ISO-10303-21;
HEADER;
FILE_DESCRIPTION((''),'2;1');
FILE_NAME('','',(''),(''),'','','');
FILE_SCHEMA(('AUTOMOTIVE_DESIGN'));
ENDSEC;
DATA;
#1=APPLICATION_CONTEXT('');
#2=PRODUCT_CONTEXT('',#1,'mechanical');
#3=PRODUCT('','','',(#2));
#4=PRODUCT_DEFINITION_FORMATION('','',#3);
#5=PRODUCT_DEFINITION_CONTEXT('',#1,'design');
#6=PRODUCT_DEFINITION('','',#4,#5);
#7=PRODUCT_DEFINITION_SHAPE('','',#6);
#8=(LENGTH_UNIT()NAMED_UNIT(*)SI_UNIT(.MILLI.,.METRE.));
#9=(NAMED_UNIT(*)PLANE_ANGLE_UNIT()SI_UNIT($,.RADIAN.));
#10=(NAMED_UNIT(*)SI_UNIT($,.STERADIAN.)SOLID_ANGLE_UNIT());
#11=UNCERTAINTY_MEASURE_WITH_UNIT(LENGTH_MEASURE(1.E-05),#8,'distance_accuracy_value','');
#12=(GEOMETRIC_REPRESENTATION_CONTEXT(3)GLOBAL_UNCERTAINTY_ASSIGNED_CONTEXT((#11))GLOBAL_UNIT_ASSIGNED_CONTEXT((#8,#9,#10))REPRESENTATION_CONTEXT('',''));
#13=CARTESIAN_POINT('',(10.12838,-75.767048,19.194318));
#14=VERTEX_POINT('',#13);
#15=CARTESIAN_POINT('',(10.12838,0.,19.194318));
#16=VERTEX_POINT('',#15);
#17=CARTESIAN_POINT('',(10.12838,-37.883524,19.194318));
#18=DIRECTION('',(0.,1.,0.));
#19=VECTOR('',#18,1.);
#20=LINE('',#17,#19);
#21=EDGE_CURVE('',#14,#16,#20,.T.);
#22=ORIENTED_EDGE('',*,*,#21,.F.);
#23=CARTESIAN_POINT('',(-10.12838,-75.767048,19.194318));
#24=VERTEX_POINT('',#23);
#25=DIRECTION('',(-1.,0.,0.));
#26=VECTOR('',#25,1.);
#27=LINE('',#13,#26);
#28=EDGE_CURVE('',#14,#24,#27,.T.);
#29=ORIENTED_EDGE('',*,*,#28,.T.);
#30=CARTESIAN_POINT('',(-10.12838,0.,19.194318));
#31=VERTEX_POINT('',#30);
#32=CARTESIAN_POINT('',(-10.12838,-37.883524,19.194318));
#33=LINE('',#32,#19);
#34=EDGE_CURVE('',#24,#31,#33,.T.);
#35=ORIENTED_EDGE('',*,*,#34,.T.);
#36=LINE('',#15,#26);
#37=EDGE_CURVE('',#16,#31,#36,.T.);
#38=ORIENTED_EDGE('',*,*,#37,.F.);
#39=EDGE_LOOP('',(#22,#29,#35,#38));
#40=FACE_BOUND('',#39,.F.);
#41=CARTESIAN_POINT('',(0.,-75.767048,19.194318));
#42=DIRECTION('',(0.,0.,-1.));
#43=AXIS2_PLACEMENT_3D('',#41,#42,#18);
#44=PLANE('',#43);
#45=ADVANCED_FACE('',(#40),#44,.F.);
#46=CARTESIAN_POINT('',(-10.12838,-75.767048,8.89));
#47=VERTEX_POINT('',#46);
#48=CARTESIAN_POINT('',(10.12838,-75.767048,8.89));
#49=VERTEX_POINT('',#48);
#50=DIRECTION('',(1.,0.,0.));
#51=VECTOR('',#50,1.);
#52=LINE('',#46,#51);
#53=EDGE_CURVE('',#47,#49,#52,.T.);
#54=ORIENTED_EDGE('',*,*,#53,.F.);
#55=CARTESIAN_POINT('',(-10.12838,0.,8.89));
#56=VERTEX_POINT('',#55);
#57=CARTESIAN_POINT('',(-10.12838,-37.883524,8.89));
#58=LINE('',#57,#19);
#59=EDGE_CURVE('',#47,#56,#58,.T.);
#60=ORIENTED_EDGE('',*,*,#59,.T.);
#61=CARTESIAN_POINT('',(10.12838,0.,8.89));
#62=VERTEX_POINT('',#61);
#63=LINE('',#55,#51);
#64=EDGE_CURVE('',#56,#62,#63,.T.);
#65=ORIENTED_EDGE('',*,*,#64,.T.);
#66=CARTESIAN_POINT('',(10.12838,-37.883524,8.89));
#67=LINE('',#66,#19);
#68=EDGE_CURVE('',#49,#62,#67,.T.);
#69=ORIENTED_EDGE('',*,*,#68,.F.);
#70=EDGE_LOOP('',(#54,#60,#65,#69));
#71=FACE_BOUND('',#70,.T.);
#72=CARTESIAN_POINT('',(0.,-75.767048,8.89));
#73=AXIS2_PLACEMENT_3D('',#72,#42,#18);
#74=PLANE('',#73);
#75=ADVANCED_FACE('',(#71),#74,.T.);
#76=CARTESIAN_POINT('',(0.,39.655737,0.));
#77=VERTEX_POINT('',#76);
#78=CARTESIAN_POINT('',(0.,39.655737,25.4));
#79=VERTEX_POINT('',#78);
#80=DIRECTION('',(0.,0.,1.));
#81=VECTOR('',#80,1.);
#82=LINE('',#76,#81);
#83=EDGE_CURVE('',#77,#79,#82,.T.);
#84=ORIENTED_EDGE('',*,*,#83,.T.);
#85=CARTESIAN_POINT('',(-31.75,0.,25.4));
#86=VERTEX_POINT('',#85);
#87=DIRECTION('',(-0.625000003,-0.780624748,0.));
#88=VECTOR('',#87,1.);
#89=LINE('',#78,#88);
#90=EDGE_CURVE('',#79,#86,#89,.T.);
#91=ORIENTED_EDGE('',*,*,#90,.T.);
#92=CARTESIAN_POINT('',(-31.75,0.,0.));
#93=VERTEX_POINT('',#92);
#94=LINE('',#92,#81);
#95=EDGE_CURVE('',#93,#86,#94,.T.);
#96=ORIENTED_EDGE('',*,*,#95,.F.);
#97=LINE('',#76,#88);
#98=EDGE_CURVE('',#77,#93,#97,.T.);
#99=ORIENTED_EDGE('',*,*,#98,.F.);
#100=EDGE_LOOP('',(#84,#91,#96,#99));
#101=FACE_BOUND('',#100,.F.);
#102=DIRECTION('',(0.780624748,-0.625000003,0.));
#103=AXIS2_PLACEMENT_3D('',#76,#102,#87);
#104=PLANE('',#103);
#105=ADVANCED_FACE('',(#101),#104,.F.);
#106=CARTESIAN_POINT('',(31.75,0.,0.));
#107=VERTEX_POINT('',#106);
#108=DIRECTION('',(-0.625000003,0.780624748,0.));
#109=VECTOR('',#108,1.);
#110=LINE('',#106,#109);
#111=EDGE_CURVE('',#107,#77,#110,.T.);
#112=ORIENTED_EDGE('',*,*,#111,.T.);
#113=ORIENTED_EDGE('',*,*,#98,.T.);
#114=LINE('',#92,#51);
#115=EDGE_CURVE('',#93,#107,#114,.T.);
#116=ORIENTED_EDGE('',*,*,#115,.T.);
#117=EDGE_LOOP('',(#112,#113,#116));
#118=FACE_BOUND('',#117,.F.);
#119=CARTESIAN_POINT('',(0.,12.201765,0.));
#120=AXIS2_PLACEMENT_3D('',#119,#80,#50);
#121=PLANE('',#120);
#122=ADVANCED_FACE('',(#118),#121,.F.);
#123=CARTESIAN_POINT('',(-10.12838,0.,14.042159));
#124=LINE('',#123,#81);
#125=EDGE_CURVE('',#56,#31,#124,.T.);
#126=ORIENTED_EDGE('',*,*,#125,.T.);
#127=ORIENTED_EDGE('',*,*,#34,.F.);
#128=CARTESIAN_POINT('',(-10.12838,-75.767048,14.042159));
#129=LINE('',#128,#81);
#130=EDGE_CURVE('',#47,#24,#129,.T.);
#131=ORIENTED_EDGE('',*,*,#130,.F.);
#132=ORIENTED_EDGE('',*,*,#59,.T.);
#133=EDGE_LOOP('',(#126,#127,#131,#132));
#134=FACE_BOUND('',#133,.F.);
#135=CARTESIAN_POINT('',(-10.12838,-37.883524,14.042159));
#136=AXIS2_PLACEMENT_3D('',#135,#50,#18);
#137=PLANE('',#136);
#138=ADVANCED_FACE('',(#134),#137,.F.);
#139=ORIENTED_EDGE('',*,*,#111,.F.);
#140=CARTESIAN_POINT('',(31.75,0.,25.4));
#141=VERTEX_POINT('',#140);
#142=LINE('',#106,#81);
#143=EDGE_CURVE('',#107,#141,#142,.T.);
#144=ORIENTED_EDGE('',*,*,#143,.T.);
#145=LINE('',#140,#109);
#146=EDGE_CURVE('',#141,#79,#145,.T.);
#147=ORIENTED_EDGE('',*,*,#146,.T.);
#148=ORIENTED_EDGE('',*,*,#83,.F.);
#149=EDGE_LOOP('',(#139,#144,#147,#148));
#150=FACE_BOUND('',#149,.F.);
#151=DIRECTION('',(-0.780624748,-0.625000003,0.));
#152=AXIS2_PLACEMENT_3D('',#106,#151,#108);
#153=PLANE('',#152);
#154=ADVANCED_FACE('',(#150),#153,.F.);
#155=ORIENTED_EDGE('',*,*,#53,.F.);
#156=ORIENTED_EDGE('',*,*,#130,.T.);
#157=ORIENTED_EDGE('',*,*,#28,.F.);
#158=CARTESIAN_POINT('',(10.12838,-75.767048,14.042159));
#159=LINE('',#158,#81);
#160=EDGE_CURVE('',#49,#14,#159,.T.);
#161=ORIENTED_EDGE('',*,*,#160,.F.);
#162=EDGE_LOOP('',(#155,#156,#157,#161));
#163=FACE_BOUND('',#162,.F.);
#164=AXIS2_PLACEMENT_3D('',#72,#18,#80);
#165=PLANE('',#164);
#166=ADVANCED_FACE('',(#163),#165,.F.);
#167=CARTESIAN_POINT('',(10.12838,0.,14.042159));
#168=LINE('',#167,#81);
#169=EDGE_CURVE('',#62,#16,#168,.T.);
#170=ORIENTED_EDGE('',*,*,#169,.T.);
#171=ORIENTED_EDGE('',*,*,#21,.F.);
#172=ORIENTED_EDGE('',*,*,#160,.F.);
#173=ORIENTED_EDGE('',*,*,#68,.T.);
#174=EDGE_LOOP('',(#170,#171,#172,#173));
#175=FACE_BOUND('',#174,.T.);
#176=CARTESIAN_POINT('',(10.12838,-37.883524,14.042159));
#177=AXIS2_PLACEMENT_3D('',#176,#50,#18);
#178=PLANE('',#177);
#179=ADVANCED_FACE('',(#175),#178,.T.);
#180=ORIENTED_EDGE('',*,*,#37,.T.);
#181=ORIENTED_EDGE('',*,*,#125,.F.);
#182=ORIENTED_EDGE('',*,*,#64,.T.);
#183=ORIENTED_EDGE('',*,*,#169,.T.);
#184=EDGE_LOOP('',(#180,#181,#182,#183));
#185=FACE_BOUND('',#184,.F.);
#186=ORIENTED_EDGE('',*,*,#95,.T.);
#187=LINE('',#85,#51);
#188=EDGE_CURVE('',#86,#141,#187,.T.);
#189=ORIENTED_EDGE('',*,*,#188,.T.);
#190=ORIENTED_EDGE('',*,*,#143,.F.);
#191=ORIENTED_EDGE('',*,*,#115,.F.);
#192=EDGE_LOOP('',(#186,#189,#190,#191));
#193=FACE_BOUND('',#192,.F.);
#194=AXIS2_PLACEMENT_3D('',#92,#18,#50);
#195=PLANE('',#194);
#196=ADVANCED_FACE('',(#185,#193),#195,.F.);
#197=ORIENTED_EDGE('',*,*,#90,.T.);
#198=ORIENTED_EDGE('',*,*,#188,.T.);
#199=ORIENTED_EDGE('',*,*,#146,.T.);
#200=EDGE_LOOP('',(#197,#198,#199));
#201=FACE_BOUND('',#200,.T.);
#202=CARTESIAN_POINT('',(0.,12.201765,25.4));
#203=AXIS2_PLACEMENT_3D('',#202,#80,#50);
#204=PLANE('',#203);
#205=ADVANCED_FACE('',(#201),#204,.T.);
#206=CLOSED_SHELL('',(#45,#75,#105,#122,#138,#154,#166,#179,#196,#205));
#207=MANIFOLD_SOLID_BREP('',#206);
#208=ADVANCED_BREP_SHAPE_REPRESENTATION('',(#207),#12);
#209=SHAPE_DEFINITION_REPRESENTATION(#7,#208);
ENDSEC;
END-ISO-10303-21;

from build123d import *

# Parameters (mm, degrees)
F1_DEPTH = 25.4
F2_W     = 75.767048
F2_H     = 10.304318
F3_DEPTH = 10.12838


with BuildPart() as f1:
    # F0 (on Top) → F1 (new body)
    with BuildSketch(Plane.XY):
        Polygon((31.75, 0), (0, 39.655737), (-31.75, 0), align=None)
    extrude(amount=F1_DEPTH)

    # F2 (on Right) → F3 (join, symmetric)
    with BuildSketch(Plane.YZ):
        with Locations((-37.883524, 14.042159)):
            Rectangle(F2_W, F2_H)
    extrude(amount=F3_DEPTH, both=True)


solid = f1.part
